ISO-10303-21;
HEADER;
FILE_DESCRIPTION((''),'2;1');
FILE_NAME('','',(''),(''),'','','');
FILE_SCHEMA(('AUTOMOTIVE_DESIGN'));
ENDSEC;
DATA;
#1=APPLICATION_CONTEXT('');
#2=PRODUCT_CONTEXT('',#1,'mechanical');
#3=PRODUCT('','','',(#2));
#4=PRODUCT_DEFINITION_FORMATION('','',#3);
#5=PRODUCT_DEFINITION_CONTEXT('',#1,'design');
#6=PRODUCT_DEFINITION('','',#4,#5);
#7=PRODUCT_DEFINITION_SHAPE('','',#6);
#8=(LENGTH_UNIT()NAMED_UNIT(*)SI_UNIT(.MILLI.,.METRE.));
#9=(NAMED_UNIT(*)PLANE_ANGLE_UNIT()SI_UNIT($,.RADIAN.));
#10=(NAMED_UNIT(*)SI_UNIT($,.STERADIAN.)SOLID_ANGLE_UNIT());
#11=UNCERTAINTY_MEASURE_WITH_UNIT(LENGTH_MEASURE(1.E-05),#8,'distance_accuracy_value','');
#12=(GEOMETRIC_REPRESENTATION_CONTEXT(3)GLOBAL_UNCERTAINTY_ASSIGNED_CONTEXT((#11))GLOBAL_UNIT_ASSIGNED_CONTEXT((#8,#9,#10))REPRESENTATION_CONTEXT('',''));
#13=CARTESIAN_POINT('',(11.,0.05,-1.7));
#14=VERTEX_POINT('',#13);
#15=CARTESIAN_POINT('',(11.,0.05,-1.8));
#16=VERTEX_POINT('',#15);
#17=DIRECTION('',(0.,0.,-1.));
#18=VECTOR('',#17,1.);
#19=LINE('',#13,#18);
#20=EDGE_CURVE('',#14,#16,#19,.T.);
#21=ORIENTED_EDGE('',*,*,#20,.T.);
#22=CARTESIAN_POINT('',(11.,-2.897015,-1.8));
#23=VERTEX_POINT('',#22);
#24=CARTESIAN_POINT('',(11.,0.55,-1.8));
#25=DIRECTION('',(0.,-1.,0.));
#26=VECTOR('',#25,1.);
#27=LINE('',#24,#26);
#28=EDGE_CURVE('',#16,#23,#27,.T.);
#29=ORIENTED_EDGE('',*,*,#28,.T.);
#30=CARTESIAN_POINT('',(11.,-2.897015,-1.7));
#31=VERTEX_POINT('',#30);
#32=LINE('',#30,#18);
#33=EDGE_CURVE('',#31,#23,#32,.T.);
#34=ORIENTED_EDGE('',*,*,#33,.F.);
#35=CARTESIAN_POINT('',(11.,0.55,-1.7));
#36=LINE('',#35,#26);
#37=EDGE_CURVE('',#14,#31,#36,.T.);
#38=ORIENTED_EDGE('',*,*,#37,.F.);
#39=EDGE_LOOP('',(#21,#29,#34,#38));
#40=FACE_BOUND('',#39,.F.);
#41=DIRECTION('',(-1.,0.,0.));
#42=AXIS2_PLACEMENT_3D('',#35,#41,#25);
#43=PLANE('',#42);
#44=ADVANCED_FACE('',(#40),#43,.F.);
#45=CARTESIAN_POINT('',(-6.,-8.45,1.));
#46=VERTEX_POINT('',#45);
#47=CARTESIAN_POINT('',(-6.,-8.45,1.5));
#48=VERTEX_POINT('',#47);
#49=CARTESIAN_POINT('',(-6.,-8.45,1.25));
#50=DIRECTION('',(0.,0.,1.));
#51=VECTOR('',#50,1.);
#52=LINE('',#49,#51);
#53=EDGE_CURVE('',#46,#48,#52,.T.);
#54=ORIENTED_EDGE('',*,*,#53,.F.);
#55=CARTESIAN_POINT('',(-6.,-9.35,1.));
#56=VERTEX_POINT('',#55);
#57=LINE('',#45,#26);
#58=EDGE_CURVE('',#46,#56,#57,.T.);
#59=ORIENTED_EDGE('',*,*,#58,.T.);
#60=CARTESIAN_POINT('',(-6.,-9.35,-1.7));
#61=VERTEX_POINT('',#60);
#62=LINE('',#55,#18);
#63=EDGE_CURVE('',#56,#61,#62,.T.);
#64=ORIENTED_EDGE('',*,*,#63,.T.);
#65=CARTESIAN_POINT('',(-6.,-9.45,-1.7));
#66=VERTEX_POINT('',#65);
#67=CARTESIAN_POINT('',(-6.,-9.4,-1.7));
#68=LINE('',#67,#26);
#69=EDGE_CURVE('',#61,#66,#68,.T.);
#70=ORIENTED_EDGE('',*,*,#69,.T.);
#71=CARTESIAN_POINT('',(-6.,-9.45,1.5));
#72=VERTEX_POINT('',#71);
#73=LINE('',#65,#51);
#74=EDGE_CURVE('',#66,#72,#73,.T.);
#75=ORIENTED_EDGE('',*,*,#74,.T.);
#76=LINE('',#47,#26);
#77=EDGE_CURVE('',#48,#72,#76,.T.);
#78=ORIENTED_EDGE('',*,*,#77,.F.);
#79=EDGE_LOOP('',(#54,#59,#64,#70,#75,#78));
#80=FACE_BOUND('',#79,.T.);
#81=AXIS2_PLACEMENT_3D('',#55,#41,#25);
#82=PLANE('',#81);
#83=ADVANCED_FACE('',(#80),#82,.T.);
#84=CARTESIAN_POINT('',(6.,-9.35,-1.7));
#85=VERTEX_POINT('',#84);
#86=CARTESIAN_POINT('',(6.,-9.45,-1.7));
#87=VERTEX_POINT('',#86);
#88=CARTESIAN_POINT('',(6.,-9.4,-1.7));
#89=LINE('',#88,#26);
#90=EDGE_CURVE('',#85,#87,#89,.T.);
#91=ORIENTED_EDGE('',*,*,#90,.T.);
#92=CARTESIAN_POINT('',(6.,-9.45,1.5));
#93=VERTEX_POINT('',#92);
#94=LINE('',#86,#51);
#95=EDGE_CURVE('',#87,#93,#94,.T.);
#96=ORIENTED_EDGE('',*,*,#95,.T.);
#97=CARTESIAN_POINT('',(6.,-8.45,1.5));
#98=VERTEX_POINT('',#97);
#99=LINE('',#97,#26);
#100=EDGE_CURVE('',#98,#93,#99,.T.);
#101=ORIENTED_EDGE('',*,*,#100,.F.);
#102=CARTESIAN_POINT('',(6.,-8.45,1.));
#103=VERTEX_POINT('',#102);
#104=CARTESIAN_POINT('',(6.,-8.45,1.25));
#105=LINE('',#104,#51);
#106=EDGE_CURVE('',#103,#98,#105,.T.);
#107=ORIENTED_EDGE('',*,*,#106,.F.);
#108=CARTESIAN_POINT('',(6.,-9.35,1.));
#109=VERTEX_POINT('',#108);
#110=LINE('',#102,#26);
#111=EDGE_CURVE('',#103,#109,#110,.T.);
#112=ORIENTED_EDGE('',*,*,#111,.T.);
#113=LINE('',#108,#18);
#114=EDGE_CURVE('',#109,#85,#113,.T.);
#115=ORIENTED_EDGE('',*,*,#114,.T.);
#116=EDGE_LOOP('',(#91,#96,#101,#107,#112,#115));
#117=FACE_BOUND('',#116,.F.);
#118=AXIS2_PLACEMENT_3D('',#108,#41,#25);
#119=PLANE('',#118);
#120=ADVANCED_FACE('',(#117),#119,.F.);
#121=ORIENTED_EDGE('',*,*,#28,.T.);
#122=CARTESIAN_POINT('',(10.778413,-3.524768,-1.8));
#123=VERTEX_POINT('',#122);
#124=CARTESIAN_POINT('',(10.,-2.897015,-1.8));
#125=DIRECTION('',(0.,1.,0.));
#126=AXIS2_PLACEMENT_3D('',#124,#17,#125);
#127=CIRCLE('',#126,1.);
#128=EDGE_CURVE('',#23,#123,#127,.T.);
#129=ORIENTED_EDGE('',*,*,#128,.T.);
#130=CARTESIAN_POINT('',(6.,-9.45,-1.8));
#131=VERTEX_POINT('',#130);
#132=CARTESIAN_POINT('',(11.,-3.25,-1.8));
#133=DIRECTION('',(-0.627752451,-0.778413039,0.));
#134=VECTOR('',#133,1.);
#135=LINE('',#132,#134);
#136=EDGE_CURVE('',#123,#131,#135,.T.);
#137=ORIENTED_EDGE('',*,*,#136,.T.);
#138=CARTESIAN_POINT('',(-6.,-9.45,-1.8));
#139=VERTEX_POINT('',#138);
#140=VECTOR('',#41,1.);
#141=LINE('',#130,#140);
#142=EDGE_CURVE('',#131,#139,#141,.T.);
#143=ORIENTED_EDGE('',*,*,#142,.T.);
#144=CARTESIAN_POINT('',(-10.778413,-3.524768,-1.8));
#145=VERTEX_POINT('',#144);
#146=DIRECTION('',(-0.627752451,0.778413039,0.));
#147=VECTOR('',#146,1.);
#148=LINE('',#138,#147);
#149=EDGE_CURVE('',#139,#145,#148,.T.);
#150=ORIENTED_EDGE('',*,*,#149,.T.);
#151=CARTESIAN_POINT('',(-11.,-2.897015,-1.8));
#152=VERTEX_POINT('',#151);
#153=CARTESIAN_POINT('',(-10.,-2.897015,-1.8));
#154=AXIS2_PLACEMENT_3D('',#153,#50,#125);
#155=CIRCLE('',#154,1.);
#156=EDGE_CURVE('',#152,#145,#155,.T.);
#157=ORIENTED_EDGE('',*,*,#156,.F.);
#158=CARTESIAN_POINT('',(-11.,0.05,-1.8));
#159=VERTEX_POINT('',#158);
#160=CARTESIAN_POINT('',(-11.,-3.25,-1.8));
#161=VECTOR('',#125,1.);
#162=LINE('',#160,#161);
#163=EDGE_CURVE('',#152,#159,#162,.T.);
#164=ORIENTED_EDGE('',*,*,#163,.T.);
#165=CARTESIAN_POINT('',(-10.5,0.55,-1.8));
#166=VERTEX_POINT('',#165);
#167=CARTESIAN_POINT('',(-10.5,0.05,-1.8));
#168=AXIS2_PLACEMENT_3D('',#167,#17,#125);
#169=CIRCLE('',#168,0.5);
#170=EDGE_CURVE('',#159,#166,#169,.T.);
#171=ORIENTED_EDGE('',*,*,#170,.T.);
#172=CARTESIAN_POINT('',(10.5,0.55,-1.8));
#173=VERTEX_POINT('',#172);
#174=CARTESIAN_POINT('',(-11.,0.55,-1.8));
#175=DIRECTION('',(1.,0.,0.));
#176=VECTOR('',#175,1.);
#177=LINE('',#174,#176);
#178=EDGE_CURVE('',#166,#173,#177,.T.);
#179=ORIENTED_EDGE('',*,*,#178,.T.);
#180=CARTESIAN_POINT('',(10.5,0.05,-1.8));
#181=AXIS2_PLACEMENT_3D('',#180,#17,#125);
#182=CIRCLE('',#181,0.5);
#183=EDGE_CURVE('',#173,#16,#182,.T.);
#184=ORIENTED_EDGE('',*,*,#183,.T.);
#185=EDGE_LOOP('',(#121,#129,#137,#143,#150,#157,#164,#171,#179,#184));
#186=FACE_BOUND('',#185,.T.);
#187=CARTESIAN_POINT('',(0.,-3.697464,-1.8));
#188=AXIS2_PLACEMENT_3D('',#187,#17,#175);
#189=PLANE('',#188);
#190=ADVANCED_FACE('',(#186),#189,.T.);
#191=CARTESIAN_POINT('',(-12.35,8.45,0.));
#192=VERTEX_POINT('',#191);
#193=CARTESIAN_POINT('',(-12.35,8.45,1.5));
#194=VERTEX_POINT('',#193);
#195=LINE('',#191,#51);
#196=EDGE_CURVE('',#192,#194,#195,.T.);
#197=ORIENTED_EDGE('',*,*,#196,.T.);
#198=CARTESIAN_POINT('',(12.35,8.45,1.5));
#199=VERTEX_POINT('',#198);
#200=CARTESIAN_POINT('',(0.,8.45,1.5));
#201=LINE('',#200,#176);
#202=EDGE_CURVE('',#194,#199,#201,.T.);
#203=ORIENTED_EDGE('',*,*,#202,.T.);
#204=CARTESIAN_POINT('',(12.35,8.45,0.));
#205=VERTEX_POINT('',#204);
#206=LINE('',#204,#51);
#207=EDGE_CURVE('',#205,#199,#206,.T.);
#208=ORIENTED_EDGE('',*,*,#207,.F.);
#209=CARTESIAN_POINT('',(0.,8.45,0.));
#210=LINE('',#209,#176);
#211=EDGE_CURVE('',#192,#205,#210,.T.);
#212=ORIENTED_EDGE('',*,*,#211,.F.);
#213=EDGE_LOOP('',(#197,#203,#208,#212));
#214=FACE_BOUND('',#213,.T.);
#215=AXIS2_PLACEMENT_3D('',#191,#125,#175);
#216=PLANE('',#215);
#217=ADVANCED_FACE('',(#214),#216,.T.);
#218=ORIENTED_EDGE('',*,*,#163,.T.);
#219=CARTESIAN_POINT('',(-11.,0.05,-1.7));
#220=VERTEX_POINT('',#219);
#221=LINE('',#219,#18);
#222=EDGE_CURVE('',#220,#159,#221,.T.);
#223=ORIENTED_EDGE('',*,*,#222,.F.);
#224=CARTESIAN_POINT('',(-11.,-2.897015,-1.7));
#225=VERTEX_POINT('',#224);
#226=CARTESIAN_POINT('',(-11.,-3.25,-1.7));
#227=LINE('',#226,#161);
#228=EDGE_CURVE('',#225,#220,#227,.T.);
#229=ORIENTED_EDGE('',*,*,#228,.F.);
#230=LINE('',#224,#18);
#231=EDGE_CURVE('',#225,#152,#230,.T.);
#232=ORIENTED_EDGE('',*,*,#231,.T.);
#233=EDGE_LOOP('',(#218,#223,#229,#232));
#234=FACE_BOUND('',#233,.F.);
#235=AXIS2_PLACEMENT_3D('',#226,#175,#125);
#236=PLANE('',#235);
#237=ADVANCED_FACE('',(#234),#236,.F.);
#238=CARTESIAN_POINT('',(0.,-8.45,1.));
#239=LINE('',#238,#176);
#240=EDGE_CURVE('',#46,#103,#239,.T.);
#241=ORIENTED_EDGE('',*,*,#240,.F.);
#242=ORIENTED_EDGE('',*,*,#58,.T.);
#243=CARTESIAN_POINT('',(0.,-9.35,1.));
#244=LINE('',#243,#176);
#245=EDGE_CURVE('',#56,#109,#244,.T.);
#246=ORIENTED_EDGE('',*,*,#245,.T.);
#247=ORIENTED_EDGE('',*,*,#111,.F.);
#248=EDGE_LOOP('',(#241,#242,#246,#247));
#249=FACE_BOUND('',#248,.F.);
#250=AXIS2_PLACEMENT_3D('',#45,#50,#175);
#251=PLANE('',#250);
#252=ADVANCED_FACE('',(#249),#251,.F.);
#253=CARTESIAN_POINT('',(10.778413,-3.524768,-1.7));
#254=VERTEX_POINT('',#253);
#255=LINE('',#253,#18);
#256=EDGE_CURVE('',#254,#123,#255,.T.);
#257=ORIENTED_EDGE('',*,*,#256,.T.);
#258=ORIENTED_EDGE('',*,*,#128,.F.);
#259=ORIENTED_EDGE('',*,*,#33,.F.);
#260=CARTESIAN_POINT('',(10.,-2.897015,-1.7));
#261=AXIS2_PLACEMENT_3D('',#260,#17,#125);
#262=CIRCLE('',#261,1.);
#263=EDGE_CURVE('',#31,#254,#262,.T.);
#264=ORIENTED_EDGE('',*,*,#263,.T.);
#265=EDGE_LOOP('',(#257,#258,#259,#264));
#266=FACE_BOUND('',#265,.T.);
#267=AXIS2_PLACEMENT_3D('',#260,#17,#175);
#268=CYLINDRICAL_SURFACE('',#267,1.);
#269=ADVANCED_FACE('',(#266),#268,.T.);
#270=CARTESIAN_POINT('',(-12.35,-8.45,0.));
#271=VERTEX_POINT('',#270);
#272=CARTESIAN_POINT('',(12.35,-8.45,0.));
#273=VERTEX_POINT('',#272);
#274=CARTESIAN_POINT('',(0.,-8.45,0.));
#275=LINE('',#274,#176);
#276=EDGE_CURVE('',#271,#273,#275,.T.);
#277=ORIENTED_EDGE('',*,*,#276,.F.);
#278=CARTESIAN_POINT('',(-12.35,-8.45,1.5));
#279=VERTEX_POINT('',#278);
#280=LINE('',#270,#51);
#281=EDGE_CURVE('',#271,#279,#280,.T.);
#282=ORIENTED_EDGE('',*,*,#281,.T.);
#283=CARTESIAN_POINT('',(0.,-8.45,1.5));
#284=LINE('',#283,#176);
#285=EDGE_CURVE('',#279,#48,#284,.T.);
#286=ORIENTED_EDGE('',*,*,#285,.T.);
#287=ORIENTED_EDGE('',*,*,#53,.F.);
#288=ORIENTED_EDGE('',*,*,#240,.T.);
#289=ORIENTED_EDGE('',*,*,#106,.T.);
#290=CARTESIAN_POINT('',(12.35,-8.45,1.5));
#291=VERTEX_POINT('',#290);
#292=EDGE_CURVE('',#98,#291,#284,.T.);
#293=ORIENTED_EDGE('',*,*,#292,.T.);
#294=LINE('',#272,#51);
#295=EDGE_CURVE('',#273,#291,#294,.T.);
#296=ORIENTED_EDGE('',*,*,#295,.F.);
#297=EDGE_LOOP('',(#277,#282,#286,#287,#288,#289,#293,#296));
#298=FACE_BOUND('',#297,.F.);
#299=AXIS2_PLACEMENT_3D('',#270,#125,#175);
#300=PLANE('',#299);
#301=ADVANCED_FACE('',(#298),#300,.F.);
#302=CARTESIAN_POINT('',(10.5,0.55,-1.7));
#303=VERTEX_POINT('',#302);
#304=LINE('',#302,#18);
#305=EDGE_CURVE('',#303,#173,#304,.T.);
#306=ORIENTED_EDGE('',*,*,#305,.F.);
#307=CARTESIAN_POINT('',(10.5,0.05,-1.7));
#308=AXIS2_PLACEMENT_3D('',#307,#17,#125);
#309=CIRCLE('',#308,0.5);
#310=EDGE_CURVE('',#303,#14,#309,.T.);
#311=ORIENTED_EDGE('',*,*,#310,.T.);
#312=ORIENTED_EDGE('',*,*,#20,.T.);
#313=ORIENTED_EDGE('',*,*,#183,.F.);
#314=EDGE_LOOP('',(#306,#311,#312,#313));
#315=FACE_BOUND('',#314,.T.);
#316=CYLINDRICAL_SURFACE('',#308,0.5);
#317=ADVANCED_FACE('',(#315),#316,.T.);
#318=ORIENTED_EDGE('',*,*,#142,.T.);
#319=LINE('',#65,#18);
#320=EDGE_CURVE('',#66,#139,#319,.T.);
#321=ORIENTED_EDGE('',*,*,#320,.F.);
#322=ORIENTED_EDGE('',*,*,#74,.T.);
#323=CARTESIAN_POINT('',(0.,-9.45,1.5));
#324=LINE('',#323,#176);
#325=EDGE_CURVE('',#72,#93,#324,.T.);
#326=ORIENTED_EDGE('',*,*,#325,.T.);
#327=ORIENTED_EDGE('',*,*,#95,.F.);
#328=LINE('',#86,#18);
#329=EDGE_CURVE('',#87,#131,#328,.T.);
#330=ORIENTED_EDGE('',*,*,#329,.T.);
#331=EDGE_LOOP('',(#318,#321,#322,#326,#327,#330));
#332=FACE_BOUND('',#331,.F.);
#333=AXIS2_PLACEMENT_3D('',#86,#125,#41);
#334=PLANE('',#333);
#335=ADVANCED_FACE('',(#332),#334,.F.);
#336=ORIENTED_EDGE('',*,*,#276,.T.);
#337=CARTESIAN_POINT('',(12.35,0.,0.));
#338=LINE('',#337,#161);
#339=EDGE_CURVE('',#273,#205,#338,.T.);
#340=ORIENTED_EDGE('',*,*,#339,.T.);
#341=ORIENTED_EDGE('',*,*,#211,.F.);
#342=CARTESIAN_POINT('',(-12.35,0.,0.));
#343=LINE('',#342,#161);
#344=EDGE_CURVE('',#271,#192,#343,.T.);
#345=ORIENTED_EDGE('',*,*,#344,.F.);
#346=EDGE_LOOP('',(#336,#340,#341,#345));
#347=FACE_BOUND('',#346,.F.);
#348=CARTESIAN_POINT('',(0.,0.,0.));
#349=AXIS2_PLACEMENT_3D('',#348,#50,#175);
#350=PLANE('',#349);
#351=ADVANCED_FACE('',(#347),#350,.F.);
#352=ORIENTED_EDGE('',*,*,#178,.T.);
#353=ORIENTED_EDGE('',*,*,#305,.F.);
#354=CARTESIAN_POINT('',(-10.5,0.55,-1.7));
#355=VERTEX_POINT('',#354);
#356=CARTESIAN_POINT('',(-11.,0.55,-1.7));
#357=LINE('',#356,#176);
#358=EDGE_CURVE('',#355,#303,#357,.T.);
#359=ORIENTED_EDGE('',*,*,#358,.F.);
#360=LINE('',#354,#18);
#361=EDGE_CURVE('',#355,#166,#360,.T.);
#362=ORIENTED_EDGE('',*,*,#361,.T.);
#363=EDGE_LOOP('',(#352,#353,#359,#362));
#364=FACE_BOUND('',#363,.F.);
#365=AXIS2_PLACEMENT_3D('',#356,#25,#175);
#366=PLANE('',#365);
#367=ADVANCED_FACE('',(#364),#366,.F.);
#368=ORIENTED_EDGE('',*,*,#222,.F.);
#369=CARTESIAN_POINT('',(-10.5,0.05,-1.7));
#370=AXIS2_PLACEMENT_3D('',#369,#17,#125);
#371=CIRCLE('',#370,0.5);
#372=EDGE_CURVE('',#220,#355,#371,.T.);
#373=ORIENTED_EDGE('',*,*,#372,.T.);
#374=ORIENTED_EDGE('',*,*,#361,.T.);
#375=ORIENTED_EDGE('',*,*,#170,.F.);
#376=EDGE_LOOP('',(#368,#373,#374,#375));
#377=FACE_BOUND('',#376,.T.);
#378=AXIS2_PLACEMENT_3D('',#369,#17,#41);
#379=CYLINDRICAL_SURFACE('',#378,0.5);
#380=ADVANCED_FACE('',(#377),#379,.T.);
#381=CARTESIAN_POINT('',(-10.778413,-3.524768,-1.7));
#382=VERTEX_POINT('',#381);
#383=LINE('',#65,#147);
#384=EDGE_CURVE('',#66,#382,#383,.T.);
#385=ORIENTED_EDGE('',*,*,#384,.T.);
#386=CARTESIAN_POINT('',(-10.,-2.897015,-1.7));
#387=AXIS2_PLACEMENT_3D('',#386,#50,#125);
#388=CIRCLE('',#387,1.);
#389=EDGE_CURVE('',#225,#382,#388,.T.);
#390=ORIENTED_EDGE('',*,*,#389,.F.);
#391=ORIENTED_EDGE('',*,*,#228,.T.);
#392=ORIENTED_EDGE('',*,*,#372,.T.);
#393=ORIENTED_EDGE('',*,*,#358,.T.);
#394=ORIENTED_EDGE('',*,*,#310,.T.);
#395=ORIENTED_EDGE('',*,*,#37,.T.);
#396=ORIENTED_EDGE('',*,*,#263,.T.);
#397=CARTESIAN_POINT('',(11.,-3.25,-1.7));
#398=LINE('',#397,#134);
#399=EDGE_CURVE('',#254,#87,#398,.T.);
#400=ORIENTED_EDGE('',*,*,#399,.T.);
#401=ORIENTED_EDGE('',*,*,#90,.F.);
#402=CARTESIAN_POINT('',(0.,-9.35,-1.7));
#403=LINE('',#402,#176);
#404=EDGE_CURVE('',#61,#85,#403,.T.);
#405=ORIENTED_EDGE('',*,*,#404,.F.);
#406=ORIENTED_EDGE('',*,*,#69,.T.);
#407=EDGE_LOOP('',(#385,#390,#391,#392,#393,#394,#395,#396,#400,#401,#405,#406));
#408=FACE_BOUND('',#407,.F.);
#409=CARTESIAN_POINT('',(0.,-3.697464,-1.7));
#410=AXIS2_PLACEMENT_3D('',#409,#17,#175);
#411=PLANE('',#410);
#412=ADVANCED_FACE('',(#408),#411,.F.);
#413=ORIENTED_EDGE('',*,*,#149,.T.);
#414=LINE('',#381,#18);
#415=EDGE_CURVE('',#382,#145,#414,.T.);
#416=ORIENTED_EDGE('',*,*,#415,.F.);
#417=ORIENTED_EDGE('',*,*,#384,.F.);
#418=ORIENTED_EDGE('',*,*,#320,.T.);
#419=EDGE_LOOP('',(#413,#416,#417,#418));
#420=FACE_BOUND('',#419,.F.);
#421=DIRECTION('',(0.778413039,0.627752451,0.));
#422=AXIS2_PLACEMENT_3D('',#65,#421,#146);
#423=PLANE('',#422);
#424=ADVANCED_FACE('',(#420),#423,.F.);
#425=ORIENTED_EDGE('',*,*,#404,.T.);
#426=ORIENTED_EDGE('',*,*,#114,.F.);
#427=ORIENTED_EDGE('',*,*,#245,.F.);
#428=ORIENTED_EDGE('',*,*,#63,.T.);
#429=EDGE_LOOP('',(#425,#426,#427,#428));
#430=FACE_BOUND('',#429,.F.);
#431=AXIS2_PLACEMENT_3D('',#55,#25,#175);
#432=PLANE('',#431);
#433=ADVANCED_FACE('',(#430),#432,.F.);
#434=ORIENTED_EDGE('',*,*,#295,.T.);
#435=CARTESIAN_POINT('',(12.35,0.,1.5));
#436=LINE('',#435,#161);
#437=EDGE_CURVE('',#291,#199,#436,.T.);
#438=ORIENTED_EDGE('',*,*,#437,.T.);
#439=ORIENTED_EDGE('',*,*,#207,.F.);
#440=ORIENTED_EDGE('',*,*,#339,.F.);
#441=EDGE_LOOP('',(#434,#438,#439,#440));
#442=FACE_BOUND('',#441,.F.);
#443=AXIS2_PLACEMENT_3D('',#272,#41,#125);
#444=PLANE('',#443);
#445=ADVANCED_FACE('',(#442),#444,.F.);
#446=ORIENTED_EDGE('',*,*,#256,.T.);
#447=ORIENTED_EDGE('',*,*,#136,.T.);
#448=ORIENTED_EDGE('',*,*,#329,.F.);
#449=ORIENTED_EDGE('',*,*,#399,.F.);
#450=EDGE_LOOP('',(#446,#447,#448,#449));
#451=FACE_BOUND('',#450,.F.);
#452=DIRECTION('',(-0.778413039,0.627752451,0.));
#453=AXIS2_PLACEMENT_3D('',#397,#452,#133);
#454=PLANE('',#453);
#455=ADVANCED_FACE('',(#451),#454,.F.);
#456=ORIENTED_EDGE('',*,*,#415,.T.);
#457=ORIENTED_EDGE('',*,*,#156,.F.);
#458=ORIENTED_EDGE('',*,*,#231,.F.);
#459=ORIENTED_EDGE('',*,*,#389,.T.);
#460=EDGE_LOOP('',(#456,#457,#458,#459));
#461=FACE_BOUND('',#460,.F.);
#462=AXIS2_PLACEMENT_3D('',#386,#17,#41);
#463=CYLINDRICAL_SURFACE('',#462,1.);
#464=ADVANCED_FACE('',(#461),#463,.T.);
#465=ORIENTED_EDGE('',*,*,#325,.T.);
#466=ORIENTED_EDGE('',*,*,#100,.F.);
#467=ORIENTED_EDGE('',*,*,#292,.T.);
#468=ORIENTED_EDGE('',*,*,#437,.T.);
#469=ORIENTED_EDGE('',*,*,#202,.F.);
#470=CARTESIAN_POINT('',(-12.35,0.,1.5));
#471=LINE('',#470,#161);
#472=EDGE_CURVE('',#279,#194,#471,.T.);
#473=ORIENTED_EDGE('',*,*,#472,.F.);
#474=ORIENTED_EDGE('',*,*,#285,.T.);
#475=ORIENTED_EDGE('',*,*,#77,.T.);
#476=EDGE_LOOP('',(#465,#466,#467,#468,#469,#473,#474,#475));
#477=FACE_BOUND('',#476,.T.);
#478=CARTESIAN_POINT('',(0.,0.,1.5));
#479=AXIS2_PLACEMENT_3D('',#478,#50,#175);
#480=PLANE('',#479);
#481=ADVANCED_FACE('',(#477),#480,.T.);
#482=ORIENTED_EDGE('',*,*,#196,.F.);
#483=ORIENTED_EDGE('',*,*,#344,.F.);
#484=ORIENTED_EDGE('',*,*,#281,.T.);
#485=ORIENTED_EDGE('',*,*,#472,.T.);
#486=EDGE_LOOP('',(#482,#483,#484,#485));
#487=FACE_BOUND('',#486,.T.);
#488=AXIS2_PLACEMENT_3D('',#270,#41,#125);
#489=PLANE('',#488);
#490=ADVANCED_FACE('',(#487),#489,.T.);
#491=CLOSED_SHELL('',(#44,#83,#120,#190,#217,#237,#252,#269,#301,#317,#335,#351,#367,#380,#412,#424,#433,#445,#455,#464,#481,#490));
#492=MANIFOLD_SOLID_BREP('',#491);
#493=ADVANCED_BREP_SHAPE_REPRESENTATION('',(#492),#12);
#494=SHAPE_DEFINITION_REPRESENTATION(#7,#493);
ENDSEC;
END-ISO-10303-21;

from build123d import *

# Parameters (mm, degrees)
SKETCH_W     = 24.7
SKETCH_H     = 16.9
PAD_DEPTH    = 1.5
SKETCH001_W  = 21.744
SKETCH001_H  = 10.864
PAD001_DEPTH = 1
SKETCH002_W  = 12
SKETCH002_H  = 0.5
PAD002_DEPTH = 1
SKETCH003_W  = 12
SKETCH003_H  = 0.1
PAD003_DEPTH = 2.7
PAD004_DEPTH = 0.1
FILLET_R     = 0.5
FILLET001_R  = 1
FILLET002_R  = 1


with BuildPart() as part:
    # Sketch → Pad (new body)
    with BuildSketch(Plane.XY):
        Rectangle(SKETCH_W, SKETCH_H)
    extrude(amount=PAD_DEPTH)

    # Sketch001 (on Face6 of Pad) → Pad001 (join)
    with BuildSketch(Plane.XY.offset(1.5)):
        with Locations((0, 1)):
            Rectangle(SKETCH001_W, SKETCH001_H)
        with BuildLine():
            ThreePointArc((-4.565, -6.012), (-5.065, -6.512), (-4.565, -7.012))
            Line((-4.565, -7.012), (4.565, -7.012))
            ThreePointArc((4.565, -7.012), (5.065, -6.512), (4.565, -6.012))
            Line((4.565, -6.012), (-4.565, -6.012))
        make_face()
    extrude(amount=-PAD001_DEPTH)

    # Sketch002 (on Face6 of Pad001) → Pad002 (join)
    with BuildSketch(Plane.XZ.offset(8.45)):
        with Locations((0, 1.25)):
            Rectangle(SKETCH002_W, SKETCH002_H)
    extrude(amount=PAD002_DEPTH)

    # Sketch003 (on Face11 of Pad002) → Pad003 (join)
    with BuildSketch(Plane(origin=(0, 0, 1), x_dir=(1, 0, 0), z_dir=(0, 0, -1))):
        with Locations((0, 9.4)):
            Rectangle(SKETCH003_W, SKETCH003_H)
    extrude(amount=PAD003_DEPTH)

    # Sketch004 (on Face18 of Pad003) → Pad004 (join)
    with BuildSketch(Plane(origin=(0, 0, -1.7), x_dir=(1, 0, 0), z_dir=(0, 0, -1))):
        Polygon((-6, 9.45), (-11, 3.25), (-11, -0.55), (11, -0.55), (11, 3.25), (6, 9.45), align=None)
    extrude(amount=PAD004_DEPTH)

    # Fillet
    fillet_edges = [part.edges().sort_by_distance(p)[0] for p in [
        (-11, 0.55, -1.75),
        (11, 0.55, -1.75),
    ]]
    fillet(fillet_edges, radius=FILLET_R)

    # Fillet001
    fillet001_edges = [part.edges().sort_by_distance(p)[0] for p in [
        (-11, -3.25, -1.75),
    ]]
    fillet(fillet001_edges, radius=FILLET001_R)

    # Fillet002
    fillet002_edges = [part.edges().sort_by_distance(p)[0] for p in [
        (11, -3.25, -1.75),
    ]]
    fillet(fillet002_edges, radius=FILLET002_R)


solid = part.part
